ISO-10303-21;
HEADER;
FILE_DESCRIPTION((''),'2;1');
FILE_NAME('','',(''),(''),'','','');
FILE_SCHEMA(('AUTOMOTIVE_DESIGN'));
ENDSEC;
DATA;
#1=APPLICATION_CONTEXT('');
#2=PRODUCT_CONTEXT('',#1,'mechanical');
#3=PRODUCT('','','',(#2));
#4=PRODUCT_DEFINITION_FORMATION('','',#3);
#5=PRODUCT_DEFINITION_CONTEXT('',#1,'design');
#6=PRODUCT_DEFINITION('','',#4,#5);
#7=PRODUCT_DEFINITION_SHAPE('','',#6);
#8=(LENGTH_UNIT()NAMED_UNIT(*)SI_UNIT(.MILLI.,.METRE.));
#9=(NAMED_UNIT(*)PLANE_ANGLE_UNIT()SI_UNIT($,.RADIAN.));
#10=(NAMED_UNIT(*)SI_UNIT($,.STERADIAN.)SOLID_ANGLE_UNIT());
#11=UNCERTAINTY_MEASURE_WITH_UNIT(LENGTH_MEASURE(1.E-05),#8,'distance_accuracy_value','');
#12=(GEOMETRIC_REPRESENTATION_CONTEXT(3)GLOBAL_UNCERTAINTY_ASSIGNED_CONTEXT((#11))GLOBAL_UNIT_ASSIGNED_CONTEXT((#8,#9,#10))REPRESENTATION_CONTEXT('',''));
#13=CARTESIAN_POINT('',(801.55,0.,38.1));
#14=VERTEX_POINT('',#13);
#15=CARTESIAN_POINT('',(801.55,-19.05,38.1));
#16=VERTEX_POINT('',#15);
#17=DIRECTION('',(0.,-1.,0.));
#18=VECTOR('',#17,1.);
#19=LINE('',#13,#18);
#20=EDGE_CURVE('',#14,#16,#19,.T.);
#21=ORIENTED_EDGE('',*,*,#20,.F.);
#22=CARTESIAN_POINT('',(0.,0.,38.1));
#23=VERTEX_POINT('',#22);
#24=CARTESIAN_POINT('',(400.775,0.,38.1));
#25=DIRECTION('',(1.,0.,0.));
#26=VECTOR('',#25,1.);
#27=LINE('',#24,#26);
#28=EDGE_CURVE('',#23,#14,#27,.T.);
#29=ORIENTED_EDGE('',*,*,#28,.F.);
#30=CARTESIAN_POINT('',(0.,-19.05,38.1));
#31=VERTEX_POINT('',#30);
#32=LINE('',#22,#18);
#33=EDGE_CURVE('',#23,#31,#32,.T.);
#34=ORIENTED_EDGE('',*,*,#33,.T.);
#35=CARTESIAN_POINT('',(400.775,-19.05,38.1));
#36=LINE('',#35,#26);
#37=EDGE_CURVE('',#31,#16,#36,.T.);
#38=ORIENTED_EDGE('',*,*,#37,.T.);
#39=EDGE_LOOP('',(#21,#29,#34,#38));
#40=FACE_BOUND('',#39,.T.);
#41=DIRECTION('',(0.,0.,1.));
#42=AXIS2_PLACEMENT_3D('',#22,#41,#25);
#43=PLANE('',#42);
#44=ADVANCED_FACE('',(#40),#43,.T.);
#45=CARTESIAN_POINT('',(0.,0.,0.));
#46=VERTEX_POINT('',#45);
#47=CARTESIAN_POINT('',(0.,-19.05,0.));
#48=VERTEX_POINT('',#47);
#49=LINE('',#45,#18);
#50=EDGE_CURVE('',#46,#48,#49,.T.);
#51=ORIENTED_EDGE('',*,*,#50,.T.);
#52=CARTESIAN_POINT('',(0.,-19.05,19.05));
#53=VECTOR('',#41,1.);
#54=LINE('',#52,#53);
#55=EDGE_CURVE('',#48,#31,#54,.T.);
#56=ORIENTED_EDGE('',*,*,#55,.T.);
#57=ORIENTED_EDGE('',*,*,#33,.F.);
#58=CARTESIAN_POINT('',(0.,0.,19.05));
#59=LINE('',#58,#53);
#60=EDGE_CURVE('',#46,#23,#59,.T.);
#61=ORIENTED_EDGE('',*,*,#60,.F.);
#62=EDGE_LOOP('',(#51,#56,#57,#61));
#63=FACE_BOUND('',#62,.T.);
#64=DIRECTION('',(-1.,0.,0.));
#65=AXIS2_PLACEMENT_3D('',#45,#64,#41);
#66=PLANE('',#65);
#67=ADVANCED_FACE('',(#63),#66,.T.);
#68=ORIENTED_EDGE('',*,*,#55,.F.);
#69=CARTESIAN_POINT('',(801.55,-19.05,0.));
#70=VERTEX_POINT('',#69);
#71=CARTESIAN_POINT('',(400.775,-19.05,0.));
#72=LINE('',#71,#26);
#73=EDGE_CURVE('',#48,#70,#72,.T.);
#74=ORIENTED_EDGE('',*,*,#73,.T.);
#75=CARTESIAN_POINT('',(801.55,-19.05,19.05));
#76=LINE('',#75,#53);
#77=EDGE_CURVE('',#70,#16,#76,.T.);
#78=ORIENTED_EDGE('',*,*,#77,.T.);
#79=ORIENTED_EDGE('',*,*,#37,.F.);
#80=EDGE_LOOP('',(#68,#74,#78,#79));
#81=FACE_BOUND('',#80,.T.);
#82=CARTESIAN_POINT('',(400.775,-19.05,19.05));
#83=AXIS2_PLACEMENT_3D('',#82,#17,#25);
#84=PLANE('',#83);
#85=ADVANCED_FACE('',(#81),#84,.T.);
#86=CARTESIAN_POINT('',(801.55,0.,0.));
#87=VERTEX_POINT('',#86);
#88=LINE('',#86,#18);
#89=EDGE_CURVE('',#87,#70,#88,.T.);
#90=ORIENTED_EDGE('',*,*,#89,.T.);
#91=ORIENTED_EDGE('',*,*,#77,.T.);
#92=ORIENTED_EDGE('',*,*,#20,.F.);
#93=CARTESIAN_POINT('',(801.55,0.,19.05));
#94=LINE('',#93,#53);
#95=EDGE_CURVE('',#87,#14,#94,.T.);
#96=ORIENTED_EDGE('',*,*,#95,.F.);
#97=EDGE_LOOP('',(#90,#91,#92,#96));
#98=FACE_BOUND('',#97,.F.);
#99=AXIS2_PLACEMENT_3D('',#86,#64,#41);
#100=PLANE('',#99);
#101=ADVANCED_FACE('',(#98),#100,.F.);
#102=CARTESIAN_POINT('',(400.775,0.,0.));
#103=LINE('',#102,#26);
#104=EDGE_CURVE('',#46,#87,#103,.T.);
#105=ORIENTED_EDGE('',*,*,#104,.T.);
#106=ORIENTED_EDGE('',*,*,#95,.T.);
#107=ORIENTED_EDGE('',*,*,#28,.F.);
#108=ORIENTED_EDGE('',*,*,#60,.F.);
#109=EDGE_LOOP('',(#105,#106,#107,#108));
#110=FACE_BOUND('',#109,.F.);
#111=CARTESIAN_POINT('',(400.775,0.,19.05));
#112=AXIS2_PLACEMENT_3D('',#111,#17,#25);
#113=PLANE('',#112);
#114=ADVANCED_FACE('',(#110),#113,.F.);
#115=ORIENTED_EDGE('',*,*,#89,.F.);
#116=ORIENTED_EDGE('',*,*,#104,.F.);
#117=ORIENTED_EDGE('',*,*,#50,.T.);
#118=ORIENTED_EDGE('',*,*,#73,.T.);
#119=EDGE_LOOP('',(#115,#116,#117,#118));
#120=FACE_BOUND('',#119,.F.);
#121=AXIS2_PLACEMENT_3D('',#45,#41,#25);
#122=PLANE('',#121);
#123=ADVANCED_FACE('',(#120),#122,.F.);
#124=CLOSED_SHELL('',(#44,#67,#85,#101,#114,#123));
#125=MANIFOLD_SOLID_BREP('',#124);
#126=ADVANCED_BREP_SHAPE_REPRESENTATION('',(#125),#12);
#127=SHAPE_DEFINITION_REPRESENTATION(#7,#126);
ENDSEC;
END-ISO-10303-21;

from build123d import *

# Parameters (mm, degrees)
SKETCH_W  = 801.55
SKETCH_H  = 38.1
PAD_DEPTH = 19.05


with BuildPart() as part:
    # Sketch → Pad (new body)
    with BuildSketch(Plane.XZ):
        with Locations((400.775, 19.05)):
            Rectangle(SKETCH_W, SKETCH_H)
    extrude(amount=PAD_DEPTH)


solid = part.part
